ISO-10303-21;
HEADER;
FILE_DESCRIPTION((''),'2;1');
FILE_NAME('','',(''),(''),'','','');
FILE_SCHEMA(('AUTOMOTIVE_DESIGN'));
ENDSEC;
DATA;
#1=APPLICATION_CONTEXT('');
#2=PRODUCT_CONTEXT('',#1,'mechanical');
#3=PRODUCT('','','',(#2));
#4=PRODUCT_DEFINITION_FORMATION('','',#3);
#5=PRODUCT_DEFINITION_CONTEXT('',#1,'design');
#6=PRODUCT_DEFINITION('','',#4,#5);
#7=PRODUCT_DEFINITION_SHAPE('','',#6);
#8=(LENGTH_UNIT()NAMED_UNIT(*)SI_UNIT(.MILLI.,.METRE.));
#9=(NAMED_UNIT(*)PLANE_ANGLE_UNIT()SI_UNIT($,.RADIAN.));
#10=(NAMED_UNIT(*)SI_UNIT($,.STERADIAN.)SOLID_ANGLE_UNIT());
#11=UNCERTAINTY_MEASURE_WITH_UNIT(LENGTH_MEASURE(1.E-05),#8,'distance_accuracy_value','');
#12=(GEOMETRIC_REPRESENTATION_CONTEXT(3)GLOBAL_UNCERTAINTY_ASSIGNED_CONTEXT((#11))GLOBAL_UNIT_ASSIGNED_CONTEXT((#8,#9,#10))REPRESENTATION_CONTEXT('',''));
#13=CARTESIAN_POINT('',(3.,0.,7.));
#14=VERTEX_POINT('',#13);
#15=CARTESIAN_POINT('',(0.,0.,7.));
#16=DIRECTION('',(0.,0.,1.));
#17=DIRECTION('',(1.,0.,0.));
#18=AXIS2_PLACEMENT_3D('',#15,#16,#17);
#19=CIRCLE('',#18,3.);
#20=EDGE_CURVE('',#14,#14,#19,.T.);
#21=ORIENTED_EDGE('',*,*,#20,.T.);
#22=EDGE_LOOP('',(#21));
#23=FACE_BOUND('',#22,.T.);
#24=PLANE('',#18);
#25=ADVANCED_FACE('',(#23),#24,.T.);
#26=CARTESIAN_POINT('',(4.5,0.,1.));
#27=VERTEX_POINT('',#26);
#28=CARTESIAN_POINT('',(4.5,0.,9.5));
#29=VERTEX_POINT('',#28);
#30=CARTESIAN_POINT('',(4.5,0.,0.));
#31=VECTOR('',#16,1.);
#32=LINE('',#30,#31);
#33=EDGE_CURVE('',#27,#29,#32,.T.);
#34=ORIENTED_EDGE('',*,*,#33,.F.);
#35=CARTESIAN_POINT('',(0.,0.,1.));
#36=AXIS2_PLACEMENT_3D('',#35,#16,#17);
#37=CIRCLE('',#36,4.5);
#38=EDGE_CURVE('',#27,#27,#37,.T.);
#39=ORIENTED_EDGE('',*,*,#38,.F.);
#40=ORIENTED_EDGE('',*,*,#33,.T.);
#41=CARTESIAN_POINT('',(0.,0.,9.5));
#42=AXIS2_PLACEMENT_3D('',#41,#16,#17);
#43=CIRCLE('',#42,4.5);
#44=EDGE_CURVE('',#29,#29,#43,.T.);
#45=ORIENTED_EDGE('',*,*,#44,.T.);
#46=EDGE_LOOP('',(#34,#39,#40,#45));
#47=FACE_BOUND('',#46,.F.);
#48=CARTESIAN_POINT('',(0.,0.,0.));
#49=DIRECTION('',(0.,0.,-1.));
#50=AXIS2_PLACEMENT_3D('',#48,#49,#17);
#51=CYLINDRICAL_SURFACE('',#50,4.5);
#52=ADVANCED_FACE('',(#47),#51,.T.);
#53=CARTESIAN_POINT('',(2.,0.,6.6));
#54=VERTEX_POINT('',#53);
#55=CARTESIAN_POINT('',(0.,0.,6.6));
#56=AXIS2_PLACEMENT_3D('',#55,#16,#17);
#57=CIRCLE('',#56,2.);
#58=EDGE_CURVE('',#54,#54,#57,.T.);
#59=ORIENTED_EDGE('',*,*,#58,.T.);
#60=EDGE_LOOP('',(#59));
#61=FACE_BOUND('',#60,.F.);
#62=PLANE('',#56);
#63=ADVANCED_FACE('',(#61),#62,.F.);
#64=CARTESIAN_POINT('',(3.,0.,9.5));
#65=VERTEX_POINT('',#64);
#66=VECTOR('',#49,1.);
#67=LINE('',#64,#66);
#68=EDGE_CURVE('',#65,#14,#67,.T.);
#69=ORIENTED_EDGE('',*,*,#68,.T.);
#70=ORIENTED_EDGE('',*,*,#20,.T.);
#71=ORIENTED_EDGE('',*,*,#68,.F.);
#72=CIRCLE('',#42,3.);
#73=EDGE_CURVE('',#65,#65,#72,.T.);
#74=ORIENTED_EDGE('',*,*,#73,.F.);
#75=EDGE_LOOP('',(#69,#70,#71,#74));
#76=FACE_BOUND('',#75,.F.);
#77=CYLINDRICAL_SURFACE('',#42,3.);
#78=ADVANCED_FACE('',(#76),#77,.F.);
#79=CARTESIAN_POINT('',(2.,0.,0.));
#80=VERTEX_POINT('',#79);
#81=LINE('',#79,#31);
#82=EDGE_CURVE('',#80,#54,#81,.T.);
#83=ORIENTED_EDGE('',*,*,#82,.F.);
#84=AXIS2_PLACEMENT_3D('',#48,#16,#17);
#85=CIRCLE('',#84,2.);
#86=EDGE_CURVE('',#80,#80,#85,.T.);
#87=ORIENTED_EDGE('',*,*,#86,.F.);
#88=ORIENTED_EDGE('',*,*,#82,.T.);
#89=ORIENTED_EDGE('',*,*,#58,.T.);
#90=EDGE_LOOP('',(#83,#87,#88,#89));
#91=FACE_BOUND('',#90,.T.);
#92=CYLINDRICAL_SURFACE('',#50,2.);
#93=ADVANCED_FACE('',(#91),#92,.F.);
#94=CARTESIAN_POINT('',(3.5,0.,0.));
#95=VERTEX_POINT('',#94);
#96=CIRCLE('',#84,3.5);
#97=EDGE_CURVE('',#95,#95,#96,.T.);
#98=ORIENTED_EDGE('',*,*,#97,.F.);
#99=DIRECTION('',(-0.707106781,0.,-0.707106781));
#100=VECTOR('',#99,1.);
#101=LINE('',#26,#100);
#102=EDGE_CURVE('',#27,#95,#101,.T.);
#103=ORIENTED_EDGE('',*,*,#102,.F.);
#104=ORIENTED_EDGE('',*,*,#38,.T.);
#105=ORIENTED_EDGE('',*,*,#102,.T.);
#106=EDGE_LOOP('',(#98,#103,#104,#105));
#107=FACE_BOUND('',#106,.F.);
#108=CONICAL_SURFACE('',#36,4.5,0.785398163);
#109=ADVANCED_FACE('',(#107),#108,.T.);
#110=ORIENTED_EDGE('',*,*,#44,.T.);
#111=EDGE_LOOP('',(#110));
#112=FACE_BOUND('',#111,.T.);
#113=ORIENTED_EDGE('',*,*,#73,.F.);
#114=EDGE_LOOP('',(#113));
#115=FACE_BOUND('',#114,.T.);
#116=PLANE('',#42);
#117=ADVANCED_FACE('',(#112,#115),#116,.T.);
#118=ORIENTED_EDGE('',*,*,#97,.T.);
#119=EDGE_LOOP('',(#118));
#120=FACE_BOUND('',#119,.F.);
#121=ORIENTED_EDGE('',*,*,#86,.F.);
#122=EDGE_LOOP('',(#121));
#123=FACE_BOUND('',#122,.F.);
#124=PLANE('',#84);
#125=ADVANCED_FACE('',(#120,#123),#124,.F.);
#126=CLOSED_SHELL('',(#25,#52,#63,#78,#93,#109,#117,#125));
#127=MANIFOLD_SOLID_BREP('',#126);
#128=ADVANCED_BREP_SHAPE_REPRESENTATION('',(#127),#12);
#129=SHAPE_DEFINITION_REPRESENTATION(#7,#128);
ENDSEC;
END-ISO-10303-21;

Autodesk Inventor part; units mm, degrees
ref_plane "YZ Plane" through (0, 0, 0) normal (1, 0, 0) x (0, 1, 0)
ref_plane "XZ Plane" through (0, 0, 0) normal (0, 1, 0) x (-1, 0, 0)
ref_plane "XY Plane" through (0, 0, 0) normal (0, 0, 1) x (1, 0, 0)
sketch "Skizze1" plane through (0, 0, 0) normal (0, 0, 1) x (1, 0, 0)
  circle A0 centre (0, 0) radius 2
  circle A1 centre (0, 0) radius 4.5
  dimension "d0" = 9
  dimension "d1" = 4
extrude "Extrusion1" add sketch "Skizze1" along normal blind 9.5
sketch "Skizze2" plane through (0, 0, 9.5) normal (0, 0, 1) x (1, 0, 0)
  circle A0 centre (0, 0) radius 3
  dimension "d4" = 6
extrude "Extrusion2" cut sketch "Skizze2" against normal blind 2.5
chamfer "Fase1" distance 1 angle 45 1 edges at (-4.5, 0, 0)
sketch "Skizze3" plane through (0, 0, 7) normal (0, 0, 1) x (1, 0, 0)
  circle A0 centre (0, 0) radius 2 projected
  circle A1 centre (0, 0) radius 3 projected
extrude "Extrusion3" add sketch "Skizze3" against normal blind 0.4 contours A0
properties part number "Mag4mmWelle" material "ABS-Kunststoff"
